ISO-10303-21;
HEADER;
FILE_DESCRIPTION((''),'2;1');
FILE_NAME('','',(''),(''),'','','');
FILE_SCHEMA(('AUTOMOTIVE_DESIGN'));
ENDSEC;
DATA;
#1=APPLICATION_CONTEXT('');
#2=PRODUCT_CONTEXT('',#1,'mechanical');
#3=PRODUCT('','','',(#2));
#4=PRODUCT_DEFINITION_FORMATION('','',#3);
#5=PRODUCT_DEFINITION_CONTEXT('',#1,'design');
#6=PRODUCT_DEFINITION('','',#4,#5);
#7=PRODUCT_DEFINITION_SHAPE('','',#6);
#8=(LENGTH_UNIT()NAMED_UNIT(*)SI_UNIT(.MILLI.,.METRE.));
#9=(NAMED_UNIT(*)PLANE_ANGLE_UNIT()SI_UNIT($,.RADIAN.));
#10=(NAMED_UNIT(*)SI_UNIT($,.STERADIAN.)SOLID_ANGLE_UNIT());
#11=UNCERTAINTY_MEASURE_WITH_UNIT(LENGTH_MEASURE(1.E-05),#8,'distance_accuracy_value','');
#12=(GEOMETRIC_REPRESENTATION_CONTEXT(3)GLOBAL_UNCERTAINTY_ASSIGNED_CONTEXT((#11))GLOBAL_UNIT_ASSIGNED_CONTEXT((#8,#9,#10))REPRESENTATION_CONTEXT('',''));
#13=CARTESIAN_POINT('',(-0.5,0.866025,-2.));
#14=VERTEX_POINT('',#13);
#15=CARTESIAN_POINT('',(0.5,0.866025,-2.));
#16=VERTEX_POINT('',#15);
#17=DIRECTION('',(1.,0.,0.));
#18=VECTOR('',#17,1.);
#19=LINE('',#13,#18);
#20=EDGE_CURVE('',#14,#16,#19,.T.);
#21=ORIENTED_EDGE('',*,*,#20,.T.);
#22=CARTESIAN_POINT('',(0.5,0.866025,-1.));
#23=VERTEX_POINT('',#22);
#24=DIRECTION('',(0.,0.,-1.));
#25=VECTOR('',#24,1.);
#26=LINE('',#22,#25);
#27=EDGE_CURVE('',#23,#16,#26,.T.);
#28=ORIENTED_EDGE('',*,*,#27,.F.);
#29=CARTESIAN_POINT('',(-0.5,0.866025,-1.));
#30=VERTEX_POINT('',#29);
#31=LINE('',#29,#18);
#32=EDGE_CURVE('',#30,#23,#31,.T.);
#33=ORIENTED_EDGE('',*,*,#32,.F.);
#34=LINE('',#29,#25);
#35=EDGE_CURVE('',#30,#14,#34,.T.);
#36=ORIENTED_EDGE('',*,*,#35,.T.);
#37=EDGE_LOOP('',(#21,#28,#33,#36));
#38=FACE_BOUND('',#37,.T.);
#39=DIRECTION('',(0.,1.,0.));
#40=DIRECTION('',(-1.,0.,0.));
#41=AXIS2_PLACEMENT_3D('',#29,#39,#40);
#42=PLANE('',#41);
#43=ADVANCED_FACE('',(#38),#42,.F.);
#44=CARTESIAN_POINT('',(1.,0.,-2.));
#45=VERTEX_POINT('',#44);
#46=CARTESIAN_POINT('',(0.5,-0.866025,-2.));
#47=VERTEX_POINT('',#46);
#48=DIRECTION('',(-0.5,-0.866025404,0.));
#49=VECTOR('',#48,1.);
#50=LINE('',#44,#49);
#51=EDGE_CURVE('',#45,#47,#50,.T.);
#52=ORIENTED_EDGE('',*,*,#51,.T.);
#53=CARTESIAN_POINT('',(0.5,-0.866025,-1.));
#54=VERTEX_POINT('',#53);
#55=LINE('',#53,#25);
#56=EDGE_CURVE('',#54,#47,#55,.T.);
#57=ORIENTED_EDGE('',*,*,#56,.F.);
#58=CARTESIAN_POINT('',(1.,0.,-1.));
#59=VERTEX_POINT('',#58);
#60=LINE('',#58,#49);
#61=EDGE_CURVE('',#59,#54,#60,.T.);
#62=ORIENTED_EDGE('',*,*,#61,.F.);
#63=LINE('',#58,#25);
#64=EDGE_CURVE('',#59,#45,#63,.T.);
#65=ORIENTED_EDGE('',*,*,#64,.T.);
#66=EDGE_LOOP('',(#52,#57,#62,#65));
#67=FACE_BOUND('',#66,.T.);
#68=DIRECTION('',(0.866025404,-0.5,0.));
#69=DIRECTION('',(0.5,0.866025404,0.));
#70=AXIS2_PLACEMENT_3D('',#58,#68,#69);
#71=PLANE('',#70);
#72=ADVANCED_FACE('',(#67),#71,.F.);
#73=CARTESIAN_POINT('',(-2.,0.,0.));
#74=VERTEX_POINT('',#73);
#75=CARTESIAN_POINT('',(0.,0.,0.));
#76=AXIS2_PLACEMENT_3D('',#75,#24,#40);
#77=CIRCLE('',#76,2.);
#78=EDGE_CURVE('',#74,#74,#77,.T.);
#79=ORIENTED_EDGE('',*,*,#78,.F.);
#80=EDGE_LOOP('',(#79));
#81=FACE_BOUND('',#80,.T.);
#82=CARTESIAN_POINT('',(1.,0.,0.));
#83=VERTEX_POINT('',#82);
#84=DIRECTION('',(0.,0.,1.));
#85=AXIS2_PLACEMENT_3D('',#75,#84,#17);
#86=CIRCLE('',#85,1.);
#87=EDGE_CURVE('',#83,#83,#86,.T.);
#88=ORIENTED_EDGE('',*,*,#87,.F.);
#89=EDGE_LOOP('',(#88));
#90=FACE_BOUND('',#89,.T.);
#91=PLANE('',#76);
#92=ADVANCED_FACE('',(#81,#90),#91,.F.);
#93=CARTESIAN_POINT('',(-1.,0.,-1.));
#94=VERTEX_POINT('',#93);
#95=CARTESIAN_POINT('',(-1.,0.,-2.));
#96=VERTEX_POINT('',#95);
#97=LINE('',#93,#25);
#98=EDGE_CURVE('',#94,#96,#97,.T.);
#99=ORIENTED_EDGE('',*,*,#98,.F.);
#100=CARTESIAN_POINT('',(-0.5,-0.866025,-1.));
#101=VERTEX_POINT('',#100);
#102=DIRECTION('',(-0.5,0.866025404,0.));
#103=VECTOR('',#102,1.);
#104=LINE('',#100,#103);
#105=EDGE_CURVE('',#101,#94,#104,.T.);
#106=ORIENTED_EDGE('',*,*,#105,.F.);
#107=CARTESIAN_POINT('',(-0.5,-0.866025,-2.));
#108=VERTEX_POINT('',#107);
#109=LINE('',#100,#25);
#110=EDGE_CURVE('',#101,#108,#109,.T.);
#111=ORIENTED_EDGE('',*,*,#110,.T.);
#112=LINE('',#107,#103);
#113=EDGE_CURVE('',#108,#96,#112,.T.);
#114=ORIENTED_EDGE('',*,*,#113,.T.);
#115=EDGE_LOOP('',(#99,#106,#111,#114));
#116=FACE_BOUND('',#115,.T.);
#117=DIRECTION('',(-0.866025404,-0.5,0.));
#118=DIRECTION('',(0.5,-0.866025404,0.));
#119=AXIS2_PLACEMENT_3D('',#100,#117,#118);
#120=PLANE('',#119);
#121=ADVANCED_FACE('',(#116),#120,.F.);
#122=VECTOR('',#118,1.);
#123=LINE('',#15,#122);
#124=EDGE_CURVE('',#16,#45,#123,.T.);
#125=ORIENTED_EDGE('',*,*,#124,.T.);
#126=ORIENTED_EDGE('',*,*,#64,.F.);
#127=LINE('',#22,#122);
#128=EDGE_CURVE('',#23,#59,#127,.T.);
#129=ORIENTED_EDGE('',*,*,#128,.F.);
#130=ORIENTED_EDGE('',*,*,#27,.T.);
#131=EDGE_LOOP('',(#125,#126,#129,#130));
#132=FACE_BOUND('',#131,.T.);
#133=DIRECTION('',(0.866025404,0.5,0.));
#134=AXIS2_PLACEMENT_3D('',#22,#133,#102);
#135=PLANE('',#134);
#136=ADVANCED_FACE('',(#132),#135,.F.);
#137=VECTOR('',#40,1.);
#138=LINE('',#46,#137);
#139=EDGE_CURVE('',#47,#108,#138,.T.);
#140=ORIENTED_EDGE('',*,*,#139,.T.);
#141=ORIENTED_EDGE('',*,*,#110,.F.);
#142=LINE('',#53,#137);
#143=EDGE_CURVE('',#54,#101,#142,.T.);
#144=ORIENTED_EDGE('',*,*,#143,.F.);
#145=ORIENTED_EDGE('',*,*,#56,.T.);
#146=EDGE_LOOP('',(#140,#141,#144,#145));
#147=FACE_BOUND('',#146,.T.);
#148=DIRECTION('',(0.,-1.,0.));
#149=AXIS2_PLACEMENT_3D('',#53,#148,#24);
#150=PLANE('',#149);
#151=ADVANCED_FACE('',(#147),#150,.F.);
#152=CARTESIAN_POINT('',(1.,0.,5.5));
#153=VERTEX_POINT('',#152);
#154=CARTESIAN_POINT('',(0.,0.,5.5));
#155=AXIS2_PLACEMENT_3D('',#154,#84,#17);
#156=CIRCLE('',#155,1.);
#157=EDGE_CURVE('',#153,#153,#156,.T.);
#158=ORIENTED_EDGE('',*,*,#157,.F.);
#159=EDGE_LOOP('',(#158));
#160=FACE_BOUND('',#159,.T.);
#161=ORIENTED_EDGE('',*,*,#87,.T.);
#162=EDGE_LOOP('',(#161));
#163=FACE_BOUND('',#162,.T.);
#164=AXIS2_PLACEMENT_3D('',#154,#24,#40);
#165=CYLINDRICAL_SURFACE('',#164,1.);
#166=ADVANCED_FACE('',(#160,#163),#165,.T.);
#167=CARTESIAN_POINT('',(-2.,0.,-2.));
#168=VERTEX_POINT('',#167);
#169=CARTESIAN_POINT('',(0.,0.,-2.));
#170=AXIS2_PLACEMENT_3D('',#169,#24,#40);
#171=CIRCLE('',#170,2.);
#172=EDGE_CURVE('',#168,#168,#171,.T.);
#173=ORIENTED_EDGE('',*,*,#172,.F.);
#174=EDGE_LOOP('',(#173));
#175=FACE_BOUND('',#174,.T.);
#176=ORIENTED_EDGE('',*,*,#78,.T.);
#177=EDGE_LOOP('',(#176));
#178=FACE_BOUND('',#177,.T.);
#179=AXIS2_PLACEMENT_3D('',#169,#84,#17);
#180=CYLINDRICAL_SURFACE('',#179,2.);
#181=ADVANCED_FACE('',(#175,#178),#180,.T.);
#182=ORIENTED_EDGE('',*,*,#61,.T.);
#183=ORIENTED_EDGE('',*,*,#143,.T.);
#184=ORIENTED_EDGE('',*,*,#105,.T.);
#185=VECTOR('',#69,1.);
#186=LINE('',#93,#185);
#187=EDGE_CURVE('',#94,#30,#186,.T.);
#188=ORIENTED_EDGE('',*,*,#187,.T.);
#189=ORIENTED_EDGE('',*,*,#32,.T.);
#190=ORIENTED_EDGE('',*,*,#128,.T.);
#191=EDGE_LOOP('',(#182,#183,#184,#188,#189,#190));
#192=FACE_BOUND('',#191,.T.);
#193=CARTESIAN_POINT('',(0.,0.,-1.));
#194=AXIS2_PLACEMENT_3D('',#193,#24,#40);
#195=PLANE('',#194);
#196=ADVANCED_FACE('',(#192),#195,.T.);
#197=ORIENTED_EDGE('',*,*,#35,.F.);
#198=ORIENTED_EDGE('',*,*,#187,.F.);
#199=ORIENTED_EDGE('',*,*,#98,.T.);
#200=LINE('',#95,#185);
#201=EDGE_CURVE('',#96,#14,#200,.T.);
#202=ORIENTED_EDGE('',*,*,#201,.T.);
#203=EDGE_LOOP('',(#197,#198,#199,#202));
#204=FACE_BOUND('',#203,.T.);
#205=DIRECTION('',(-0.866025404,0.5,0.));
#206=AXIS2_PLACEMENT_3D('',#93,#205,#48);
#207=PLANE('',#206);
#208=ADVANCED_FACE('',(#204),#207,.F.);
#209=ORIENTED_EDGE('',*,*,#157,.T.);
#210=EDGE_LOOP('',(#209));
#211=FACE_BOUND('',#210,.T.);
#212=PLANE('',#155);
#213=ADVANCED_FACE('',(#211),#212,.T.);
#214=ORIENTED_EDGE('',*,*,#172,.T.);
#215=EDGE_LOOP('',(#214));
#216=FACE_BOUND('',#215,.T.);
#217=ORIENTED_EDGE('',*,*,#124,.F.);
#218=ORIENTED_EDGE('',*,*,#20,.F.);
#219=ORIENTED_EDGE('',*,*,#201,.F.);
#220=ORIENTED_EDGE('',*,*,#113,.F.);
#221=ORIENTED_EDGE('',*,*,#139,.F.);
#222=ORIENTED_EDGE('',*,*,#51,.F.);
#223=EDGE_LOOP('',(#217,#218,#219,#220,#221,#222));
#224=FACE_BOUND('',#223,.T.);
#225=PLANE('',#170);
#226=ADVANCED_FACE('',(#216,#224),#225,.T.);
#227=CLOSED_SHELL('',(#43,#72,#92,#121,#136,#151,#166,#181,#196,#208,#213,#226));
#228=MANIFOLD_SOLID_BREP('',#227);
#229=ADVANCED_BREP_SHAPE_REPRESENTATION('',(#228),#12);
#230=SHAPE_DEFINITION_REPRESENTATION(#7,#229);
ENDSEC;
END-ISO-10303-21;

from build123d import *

# Parameters (mm, degrees)
SKETCH_1_R          = 1
EXTRUDE_1_DEPTH     = 5.5
SKETCH_2_R          = 2
EXTRUDE_2_DEPTH     = 2
CUT_EXTRUDE_1_DEPTH = 1


with BuildPart() as part:
    # 草图1 → 凸台-拉伸1 (new body)
    with BuildSketch(Plane.XY):
        Circle(SKETCH_1_R)
    extrude(amount=EXTRUDE_1_DEPTH)

    # 草图2 → 凸台-拉伸2 (add)
    with BuildSketch(Plane(origin=(0, 0, 0), x_dir=(-1, 0, 0), z_dir=(0, 0, -1))):
        Circle(SKETCH_2_R)
    extrude(amount=EXTRUDE_2_DEPTH)

    # 草图3 → 切除-拉伸1 (cut)
    with BuildSketch(Plane(origin=(0, 0, -2), x_dir=(-1, 0, 0), z_dir=(0, 0, -1))):
        Polygon((1, 0), (0.5, 0.866025404), (-0.5, 0.866025404), (-1, 0), (-0.5, -0.866025404), (0.5, -0.866025404), align=None)
    extrude(amount=-CUT_EXTRUDE_1_DEPTH, mode=Mode.SUBTRACT)


solid = part.part
